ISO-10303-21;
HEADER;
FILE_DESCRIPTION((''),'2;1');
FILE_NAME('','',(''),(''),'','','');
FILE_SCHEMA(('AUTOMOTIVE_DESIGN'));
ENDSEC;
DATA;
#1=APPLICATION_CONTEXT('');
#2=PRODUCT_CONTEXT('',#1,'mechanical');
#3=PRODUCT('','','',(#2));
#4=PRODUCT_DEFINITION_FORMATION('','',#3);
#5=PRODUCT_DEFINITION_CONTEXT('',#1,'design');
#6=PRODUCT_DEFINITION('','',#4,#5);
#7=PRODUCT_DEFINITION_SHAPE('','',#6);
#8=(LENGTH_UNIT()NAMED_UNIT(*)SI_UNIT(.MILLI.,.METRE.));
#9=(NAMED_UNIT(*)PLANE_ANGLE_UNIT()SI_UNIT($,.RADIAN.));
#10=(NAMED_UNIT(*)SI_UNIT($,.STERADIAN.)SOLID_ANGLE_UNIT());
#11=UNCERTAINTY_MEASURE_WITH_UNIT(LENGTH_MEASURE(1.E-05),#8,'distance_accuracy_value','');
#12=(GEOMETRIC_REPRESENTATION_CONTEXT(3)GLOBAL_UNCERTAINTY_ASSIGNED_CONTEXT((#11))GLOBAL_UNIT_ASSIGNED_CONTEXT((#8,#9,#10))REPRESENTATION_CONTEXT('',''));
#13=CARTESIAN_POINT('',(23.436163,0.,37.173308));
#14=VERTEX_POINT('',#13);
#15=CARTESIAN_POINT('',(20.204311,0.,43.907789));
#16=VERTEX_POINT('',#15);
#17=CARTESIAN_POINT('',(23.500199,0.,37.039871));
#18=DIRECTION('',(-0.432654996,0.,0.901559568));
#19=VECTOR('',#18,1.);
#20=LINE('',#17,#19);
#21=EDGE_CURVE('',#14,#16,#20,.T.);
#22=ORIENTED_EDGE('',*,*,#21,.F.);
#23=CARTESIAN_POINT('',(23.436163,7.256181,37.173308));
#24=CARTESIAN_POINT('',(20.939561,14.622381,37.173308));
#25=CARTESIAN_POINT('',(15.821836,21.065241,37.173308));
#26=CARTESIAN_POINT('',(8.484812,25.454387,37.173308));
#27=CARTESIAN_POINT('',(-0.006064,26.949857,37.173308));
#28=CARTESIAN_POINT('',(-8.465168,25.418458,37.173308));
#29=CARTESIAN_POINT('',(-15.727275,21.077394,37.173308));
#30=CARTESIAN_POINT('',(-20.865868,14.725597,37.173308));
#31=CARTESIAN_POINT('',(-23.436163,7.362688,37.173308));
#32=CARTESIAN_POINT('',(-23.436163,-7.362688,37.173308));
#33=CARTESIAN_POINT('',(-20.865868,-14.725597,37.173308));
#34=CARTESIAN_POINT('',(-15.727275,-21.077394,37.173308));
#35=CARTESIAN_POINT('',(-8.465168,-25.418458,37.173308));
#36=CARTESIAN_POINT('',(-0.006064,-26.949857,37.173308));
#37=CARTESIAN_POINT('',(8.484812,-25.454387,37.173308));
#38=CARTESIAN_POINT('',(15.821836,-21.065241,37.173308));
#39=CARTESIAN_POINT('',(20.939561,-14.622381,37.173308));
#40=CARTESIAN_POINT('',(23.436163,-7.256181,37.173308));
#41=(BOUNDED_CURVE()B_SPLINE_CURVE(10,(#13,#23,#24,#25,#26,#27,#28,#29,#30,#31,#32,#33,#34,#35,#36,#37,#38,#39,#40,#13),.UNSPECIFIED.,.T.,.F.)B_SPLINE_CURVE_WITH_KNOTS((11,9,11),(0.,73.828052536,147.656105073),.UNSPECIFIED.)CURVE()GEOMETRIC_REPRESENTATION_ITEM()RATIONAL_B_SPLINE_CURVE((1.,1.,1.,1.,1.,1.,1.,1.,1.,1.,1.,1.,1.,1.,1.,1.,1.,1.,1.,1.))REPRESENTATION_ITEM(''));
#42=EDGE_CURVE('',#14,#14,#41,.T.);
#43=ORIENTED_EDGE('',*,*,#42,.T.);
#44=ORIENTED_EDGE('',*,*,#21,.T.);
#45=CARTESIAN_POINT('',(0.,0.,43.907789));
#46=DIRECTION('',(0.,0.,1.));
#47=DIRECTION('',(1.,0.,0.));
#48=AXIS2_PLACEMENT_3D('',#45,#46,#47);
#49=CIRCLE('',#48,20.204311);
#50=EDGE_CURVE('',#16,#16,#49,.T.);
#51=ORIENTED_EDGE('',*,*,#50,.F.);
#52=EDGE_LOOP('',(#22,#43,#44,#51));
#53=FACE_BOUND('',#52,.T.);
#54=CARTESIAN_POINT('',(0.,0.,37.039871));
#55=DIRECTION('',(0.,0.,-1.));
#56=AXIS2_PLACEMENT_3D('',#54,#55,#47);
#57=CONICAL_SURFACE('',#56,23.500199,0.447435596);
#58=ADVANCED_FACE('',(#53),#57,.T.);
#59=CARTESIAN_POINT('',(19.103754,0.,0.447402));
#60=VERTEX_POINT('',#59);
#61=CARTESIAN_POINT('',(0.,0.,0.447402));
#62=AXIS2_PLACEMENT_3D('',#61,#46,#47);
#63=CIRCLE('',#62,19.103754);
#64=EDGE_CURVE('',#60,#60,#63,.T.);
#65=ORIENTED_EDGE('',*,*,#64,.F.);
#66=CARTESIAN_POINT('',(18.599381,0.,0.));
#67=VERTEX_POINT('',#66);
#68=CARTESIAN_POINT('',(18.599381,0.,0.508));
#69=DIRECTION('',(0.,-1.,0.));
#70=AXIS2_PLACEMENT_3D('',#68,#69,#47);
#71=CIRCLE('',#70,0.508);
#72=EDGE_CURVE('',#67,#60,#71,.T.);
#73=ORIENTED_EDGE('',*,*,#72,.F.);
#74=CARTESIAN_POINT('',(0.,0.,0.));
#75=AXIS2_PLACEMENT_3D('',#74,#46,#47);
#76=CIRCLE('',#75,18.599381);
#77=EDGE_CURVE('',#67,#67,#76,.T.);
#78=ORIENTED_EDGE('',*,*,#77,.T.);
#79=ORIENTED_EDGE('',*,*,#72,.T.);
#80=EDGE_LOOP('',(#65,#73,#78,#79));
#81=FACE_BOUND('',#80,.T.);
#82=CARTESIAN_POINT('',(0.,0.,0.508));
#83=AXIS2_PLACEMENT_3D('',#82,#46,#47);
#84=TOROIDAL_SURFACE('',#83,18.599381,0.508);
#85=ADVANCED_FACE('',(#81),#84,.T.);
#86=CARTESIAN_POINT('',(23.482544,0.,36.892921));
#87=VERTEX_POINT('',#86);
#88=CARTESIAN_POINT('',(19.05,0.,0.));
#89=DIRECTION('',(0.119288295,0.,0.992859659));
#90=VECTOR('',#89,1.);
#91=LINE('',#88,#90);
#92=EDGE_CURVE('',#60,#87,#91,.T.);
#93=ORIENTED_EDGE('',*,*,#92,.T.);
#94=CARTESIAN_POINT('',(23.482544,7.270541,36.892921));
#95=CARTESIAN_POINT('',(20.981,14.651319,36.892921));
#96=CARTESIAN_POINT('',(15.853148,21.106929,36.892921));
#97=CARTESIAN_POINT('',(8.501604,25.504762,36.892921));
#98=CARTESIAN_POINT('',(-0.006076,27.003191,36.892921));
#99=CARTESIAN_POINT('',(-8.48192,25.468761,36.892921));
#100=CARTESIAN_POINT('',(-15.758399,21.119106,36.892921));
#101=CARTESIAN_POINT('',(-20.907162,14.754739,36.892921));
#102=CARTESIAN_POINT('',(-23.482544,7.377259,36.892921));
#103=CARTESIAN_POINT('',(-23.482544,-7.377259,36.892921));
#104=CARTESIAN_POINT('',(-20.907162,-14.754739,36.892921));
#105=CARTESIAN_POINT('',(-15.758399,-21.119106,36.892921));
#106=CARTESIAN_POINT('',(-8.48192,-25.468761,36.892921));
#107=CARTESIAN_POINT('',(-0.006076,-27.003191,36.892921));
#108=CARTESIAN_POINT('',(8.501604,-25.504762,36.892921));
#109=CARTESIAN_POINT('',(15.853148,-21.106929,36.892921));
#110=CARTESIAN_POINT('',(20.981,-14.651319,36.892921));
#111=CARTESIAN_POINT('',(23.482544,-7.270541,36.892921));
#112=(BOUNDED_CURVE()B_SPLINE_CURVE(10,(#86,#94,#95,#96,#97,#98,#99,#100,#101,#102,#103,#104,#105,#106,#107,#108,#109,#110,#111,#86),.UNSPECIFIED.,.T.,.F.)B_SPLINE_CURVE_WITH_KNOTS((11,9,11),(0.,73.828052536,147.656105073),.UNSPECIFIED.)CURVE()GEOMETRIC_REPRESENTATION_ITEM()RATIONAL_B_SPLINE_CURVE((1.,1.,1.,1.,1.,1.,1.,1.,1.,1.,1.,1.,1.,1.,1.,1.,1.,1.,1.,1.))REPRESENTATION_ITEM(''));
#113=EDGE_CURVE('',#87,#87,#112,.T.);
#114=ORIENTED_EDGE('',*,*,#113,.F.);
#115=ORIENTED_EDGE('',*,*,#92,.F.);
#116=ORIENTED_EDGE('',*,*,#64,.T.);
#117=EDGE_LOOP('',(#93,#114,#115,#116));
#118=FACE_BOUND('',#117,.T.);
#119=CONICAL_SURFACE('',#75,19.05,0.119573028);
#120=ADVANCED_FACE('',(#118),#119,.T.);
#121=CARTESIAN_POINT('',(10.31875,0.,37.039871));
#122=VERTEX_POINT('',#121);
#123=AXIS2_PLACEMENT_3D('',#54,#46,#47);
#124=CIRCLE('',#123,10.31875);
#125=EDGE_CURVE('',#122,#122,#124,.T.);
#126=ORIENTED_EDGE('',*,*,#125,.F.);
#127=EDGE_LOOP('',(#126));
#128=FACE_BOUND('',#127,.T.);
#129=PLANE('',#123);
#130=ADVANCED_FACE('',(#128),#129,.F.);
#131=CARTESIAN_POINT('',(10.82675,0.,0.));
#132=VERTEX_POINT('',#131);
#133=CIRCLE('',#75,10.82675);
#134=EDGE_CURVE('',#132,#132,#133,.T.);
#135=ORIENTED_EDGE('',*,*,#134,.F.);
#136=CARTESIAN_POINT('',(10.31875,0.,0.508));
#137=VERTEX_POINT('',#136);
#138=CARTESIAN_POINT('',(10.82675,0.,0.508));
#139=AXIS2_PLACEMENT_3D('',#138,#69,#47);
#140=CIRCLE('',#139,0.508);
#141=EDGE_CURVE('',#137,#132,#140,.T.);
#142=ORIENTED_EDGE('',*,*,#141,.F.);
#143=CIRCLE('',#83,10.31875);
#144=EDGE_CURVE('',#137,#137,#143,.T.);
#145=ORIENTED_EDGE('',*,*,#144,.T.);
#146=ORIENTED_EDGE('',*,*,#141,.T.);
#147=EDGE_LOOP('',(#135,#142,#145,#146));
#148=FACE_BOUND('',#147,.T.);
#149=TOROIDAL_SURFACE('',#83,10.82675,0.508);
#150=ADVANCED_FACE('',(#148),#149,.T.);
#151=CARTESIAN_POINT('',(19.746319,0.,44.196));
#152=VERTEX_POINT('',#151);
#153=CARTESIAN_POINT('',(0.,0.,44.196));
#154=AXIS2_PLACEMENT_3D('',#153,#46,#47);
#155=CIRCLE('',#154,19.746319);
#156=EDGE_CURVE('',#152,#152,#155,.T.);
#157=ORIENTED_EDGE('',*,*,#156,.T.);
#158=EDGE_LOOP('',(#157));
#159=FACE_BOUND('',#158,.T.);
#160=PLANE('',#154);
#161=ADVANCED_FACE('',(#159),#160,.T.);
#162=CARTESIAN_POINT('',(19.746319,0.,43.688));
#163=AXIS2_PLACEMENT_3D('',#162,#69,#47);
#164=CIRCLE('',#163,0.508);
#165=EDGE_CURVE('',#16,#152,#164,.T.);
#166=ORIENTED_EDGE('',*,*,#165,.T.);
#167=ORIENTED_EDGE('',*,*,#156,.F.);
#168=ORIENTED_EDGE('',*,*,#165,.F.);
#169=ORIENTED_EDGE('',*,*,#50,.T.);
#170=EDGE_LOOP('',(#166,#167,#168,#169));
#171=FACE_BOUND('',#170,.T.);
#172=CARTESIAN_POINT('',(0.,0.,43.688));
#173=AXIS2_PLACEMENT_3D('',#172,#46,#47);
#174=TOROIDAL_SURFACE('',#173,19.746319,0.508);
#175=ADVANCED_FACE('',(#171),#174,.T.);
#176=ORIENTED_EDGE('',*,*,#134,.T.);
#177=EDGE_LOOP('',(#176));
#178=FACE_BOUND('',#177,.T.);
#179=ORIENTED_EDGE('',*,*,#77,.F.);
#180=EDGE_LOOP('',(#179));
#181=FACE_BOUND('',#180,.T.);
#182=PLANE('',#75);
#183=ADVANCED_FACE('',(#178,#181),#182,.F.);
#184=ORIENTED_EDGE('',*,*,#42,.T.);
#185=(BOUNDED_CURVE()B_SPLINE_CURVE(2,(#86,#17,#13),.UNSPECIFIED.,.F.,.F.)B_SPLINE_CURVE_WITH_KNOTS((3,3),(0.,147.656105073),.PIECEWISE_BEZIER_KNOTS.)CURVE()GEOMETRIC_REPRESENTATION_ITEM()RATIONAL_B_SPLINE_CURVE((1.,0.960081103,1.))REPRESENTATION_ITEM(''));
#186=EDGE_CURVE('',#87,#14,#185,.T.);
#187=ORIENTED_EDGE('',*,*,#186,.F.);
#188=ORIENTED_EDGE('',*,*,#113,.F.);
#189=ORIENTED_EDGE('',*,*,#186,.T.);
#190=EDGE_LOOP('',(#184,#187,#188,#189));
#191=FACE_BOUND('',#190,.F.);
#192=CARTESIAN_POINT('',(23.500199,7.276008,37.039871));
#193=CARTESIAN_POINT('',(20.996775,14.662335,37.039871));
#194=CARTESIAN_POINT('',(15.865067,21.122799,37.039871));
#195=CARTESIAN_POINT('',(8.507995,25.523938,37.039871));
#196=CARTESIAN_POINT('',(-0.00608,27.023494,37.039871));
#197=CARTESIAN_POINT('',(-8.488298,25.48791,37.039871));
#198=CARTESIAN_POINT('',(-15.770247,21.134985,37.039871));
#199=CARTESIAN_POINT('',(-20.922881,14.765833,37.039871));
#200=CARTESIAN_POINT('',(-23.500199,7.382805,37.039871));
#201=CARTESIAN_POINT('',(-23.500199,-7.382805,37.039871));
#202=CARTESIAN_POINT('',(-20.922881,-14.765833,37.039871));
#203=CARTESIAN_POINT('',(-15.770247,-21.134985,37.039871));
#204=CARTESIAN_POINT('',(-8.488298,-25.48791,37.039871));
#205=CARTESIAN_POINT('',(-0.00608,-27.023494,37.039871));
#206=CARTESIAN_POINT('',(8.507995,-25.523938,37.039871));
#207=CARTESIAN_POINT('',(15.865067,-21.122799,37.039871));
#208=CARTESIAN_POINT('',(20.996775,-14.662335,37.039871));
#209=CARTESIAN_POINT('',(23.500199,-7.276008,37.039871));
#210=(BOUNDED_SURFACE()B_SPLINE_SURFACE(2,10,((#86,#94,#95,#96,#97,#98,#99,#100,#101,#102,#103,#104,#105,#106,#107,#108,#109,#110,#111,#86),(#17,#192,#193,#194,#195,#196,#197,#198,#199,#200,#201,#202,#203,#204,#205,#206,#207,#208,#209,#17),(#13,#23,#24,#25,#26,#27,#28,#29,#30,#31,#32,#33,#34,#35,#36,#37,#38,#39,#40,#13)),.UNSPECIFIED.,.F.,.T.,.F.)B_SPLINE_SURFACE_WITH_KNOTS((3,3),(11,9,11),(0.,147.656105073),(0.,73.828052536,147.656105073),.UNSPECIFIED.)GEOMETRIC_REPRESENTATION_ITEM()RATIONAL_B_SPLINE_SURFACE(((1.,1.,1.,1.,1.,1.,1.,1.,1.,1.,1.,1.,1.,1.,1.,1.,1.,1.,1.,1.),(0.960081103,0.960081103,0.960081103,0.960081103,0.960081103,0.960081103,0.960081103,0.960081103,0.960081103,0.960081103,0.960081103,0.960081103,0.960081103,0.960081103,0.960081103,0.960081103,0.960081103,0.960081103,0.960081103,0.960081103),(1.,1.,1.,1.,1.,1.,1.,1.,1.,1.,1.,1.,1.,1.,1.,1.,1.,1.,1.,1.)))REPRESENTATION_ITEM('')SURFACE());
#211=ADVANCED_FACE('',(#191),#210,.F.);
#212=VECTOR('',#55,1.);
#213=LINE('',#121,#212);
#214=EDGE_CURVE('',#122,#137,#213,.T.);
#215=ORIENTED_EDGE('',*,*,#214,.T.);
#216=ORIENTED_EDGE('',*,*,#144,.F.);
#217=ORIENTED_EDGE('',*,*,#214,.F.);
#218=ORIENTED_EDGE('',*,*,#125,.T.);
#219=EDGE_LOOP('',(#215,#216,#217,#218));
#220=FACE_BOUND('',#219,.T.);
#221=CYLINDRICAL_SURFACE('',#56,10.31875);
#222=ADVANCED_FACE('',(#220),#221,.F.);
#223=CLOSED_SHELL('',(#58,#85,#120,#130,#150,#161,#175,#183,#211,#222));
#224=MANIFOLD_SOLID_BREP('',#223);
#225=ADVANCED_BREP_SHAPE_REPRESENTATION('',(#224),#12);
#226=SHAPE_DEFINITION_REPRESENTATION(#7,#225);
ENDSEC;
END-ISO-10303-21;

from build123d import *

# Parameters (mm, degrees)
F2_R = 0.508


with BuildPart() as f1:
    # F0 (on Front) → F1 (revolve)
    with BuildSketch(Plane.XZ):
        Polygon((10.31875, 37.039871), (10.31875, 0), (19.05, 0), (23.500199, 37.039871), (20.066, 44.196), (0, 44.196), (0, 37.039871), align=None)
    revolve(axis=Axis((0, 0, 22.098), (0, 0, 1)))

    # F2
    f2_edges = [f1.edges().sort_by_distance(p)[0] for p in [
        (-20.066, 0, 44.196),
        (-19.05, 0, 0),
        (-23.500199, 0, 37.039871),
        (-10.31875, 0, 0),
    ]]
    fillet(f2_edges, radius=F2_R)


solid = f1.part
